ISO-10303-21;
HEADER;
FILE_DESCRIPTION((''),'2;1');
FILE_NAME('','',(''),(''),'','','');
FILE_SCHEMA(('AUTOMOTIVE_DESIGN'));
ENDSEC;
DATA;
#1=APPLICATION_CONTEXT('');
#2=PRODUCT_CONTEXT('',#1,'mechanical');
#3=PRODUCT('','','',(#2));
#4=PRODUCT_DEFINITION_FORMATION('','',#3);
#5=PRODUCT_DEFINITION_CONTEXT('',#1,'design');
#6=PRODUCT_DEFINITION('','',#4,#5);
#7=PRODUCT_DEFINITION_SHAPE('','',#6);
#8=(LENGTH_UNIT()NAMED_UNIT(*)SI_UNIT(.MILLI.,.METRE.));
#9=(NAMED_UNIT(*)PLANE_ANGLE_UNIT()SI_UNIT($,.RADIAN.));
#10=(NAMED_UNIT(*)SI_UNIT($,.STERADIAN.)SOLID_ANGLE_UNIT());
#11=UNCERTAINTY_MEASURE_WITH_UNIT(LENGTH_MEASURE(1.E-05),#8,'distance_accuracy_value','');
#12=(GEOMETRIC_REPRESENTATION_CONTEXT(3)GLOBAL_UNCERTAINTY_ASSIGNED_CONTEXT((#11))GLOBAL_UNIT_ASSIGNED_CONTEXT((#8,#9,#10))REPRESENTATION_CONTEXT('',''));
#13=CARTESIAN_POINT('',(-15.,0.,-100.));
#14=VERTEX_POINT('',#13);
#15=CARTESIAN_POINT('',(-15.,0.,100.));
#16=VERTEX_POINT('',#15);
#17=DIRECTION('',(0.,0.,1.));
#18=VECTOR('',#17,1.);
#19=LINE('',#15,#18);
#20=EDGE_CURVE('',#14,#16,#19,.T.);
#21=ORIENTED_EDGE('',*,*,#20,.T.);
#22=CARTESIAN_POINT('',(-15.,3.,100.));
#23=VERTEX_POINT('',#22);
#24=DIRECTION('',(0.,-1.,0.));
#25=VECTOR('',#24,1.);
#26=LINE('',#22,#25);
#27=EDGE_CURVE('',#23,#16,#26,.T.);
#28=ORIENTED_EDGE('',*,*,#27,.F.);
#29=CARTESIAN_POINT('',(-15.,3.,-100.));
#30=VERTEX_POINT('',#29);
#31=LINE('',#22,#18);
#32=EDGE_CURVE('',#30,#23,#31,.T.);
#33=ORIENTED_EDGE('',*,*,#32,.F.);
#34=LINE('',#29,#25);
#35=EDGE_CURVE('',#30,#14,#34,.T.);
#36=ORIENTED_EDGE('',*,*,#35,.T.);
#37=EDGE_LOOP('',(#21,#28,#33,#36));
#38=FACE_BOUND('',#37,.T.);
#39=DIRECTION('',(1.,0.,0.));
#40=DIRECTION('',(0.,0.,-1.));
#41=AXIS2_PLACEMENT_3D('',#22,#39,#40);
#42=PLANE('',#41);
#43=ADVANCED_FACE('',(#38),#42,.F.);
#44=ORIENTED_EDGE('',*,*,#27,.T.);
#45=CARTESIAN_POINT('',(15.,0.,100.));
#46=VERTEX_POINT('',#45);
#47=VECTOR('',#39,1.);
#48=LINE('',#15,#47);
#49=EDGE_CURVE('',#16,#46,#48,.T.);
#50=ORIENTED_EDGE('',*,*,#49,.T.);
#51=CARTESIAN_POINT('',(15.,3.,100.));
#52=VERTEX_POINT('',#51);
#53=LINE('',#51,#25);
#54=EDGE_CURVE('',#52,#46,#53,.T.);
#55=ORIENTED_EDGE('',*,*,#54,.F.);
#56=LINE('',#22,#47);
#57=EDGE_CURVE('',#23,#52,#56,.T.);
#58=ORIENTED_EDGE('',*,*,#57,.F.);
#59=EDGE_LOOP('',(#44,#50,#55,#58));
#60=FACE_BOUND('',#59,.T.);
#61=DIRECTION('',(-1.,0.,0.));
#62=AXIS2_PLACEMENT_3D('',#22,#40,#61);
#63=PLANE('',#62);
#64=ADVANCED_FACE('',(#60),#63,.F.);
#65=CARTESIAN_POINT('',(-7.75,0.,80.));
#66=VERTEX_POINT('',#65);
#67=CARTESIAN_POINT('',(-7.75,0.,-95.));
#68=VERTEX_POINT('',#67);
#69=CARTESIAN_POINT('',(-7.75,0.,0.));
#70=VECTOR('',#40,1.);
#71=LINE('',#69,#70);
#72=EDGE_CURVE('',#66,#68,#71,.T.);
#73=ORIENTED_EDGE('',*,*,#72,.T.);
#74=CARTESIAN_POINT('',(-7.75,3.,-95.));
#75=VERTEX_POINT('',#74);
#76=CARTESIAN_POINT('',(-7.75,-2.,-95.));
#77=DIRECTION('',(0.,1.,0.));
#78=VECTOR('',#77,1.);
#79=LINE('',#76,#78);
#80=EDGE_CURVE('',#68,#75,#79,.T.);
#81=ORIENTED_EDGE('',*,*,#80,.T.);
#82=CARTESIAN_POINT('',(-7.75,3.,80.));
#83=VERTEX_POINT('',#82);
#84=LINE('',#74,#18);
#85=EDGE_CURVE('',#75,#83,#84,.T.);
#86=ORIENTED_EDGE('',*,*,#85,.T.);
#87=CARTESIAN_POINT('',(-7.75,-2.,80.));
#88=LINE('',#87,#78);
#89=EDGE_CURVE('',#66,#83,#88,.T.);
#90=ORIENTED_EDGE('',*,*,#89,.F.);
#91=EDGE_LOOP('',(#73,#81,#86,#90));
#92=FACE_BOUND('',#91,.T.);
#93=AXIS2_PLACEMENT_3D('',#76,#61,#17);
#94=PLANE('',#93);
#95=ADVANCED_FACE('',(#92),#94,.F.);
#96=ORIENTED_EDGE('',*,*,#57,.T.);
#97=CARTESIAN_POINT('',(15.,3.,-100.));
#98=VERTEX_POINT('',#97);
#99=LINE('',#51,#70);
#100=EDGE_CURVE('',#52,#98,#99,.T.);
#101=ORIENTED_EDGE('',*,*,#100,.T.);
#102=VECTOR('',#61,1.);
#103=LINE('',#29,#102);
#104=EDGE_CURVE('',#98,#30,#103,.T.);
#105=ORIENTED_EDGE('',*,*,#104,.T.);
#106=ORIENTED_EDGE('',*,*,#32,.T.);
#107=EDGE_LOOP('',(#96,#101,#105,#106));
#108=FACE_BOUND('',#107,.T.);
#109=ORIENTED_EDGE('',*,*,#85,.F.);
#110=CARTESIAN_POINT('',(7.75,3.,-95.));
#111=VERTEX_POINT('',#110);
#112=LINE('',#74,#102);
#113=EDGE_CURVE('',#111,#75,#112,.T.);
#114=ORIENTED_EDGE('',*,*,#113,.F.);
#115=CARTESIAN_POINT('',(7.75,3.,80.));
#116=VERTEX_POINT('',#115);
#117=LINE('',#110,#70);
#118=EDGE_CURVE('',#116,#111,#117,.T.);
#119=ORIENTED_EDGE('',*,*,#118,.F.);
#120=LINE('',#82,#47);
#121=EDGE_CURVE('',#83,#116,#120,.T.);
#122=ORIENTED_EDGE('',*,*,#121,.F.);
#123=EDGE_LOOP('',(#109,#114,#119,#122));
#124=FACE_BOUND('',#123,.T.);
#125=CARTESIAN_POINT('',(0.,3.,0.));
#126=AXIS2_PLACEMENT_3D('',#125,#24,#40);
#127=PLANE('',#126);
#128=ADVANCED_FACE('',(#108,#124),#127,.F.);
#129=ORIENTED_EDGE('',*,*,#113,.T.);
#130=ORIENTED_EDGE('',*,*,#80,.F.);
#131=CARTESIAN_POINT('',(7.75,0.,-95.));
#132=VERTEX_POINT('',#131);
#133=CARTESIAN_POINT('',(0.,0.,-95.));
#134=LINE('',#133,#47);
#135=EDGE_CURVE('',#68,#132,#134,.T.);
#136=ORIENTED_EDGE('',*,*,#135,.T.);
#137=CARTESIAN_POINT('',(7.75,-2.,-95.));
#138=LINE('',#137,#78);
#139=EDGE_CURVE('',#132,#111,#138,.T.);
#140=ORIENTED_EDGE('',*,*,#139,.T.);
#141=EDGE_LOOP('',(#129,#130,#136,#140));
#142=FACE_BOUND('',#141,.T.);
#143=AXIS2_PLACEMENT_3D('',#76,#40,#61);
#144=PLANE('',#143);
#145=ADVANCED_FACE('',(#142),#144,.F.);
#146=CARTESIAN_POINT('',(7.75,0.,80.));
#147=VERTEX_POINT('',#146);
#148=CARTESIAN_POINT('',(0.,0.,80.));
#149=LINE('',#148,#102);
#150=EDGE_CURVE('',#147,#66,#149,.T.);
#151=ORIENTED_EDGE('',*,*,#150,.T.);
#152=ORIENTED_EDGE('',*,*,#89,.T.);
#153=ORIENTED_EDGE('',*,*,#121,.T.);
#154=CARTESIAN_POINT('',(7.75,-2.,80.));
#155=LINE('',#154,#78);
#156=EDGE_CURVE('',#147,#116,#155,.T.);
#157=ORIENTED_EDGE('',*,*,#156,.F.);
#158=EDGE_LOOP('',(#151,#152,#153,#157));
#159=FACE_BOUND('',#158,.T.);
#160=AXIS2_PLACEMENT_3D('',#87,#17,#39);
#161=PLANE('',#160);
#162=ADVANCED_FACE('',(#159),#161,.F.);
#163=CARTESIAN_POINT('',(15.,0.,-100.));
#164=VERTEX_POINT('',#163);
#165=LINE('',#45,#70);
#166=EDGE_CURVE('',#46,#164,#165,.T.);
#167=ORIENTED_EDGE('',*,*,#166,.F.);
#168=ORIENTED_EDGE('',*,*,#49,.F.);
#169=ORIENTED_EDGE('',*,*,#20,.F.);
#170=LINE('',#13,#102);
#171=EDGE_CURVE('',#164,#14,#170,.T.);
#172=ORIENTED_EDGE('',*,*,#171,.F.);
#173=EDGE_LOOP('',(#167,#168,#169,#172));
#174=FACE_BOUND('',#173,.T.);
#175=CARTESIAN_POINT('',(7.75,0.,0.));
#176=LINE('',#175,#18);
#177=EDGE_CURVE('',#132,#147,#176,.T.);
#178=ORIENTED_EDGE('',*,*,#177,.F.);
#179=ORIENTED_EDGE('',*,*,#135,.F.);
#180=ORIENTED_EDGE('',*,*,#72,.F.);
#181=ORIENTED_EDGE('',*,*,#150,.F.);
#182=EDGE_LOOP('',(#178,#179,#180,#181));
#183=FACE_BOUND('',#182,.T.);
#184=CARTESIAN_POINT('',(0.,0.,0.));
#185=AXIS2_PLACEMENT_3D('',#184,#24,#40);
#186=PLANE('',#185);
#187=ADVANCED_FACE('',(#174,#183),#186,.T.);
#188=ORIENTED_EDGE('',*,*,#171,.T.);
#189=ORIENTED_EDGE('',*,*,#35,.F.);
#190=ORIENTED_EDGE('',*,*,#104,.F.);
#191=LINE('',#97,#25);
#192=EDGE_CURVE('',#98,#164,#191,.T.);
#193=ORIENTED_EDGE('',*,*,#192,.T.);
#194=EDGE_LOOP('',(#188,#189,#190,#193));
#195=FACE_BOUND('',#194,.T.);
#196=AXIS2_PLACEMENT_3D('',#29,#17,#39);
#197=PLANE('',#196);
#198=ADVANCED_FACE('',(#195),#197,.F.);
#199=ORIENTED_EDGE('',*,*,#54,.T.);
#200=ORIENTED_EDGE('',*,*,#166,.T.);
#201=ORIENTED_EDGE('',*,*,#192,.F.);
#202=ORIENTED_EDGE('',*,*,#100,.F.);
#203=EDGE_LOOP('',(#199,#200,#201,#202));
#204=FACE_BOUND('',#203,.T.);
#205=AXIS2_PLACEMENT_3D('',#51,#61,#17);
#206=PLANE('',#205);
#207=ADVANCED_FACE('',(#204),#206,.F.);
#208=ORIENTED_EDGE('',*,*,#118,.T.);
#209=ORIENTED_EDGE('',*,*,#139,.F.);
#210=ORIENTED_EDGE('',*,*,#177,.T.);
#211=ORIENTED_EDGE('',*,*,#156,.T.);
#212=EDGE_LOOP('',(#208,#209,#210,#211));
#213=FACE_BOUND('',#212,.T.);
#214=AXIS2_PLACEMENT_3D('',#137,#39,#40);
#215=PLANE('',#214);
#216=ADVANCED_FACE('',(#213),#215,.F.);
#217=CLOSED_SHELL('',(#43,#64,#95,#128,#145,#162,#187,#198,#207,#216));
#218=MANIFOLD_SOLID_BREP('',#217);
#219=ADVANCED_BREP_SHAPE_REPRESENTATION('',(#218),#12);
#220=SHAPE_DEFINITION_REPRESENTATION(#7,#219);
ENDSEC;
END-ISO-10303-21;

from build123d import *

# Parameters (mm, degrees)
ESBO_O1_W                = 30
ESBO_O1_H                = 200
RESSALTO_EXTRUS_O1_DEPTH = 3
ESBO_O2_W                = 15.5
ESBO_O2_H                = 175
CORTE_EXTRUS_O1_DEPTH    = 5


with BuildPart() as part:
    # Esboço1 → Ressalto-extrusão1 (new body)
    with BuildSketch(Plane(origin=(0, 0, 0), x_dir=(1, 0, 0), z_dir=(0, 1, 0))):
        Rectangle(ESBO_O1_W, ESBO_O1_H)
    extrude(amount=RESSALTO_EXTRUS_O1_DEPTH)

    # Esboço2 → Corte-extrusão1 (cut)
    with BuildSketch(Plane(origin=(0, 3, 0), x_dir=(1, 0, 0), z_dir=(0, 1, 0))):
        with Locations((0, 7.5)):
            Rectangle(ESBO_O2_W, ESBO_O2_H)
    extrude(amount=-CORTE_EXTRUS_O1_DEPTH, mode=Mode.SUBTRACT)


solid = part.part
